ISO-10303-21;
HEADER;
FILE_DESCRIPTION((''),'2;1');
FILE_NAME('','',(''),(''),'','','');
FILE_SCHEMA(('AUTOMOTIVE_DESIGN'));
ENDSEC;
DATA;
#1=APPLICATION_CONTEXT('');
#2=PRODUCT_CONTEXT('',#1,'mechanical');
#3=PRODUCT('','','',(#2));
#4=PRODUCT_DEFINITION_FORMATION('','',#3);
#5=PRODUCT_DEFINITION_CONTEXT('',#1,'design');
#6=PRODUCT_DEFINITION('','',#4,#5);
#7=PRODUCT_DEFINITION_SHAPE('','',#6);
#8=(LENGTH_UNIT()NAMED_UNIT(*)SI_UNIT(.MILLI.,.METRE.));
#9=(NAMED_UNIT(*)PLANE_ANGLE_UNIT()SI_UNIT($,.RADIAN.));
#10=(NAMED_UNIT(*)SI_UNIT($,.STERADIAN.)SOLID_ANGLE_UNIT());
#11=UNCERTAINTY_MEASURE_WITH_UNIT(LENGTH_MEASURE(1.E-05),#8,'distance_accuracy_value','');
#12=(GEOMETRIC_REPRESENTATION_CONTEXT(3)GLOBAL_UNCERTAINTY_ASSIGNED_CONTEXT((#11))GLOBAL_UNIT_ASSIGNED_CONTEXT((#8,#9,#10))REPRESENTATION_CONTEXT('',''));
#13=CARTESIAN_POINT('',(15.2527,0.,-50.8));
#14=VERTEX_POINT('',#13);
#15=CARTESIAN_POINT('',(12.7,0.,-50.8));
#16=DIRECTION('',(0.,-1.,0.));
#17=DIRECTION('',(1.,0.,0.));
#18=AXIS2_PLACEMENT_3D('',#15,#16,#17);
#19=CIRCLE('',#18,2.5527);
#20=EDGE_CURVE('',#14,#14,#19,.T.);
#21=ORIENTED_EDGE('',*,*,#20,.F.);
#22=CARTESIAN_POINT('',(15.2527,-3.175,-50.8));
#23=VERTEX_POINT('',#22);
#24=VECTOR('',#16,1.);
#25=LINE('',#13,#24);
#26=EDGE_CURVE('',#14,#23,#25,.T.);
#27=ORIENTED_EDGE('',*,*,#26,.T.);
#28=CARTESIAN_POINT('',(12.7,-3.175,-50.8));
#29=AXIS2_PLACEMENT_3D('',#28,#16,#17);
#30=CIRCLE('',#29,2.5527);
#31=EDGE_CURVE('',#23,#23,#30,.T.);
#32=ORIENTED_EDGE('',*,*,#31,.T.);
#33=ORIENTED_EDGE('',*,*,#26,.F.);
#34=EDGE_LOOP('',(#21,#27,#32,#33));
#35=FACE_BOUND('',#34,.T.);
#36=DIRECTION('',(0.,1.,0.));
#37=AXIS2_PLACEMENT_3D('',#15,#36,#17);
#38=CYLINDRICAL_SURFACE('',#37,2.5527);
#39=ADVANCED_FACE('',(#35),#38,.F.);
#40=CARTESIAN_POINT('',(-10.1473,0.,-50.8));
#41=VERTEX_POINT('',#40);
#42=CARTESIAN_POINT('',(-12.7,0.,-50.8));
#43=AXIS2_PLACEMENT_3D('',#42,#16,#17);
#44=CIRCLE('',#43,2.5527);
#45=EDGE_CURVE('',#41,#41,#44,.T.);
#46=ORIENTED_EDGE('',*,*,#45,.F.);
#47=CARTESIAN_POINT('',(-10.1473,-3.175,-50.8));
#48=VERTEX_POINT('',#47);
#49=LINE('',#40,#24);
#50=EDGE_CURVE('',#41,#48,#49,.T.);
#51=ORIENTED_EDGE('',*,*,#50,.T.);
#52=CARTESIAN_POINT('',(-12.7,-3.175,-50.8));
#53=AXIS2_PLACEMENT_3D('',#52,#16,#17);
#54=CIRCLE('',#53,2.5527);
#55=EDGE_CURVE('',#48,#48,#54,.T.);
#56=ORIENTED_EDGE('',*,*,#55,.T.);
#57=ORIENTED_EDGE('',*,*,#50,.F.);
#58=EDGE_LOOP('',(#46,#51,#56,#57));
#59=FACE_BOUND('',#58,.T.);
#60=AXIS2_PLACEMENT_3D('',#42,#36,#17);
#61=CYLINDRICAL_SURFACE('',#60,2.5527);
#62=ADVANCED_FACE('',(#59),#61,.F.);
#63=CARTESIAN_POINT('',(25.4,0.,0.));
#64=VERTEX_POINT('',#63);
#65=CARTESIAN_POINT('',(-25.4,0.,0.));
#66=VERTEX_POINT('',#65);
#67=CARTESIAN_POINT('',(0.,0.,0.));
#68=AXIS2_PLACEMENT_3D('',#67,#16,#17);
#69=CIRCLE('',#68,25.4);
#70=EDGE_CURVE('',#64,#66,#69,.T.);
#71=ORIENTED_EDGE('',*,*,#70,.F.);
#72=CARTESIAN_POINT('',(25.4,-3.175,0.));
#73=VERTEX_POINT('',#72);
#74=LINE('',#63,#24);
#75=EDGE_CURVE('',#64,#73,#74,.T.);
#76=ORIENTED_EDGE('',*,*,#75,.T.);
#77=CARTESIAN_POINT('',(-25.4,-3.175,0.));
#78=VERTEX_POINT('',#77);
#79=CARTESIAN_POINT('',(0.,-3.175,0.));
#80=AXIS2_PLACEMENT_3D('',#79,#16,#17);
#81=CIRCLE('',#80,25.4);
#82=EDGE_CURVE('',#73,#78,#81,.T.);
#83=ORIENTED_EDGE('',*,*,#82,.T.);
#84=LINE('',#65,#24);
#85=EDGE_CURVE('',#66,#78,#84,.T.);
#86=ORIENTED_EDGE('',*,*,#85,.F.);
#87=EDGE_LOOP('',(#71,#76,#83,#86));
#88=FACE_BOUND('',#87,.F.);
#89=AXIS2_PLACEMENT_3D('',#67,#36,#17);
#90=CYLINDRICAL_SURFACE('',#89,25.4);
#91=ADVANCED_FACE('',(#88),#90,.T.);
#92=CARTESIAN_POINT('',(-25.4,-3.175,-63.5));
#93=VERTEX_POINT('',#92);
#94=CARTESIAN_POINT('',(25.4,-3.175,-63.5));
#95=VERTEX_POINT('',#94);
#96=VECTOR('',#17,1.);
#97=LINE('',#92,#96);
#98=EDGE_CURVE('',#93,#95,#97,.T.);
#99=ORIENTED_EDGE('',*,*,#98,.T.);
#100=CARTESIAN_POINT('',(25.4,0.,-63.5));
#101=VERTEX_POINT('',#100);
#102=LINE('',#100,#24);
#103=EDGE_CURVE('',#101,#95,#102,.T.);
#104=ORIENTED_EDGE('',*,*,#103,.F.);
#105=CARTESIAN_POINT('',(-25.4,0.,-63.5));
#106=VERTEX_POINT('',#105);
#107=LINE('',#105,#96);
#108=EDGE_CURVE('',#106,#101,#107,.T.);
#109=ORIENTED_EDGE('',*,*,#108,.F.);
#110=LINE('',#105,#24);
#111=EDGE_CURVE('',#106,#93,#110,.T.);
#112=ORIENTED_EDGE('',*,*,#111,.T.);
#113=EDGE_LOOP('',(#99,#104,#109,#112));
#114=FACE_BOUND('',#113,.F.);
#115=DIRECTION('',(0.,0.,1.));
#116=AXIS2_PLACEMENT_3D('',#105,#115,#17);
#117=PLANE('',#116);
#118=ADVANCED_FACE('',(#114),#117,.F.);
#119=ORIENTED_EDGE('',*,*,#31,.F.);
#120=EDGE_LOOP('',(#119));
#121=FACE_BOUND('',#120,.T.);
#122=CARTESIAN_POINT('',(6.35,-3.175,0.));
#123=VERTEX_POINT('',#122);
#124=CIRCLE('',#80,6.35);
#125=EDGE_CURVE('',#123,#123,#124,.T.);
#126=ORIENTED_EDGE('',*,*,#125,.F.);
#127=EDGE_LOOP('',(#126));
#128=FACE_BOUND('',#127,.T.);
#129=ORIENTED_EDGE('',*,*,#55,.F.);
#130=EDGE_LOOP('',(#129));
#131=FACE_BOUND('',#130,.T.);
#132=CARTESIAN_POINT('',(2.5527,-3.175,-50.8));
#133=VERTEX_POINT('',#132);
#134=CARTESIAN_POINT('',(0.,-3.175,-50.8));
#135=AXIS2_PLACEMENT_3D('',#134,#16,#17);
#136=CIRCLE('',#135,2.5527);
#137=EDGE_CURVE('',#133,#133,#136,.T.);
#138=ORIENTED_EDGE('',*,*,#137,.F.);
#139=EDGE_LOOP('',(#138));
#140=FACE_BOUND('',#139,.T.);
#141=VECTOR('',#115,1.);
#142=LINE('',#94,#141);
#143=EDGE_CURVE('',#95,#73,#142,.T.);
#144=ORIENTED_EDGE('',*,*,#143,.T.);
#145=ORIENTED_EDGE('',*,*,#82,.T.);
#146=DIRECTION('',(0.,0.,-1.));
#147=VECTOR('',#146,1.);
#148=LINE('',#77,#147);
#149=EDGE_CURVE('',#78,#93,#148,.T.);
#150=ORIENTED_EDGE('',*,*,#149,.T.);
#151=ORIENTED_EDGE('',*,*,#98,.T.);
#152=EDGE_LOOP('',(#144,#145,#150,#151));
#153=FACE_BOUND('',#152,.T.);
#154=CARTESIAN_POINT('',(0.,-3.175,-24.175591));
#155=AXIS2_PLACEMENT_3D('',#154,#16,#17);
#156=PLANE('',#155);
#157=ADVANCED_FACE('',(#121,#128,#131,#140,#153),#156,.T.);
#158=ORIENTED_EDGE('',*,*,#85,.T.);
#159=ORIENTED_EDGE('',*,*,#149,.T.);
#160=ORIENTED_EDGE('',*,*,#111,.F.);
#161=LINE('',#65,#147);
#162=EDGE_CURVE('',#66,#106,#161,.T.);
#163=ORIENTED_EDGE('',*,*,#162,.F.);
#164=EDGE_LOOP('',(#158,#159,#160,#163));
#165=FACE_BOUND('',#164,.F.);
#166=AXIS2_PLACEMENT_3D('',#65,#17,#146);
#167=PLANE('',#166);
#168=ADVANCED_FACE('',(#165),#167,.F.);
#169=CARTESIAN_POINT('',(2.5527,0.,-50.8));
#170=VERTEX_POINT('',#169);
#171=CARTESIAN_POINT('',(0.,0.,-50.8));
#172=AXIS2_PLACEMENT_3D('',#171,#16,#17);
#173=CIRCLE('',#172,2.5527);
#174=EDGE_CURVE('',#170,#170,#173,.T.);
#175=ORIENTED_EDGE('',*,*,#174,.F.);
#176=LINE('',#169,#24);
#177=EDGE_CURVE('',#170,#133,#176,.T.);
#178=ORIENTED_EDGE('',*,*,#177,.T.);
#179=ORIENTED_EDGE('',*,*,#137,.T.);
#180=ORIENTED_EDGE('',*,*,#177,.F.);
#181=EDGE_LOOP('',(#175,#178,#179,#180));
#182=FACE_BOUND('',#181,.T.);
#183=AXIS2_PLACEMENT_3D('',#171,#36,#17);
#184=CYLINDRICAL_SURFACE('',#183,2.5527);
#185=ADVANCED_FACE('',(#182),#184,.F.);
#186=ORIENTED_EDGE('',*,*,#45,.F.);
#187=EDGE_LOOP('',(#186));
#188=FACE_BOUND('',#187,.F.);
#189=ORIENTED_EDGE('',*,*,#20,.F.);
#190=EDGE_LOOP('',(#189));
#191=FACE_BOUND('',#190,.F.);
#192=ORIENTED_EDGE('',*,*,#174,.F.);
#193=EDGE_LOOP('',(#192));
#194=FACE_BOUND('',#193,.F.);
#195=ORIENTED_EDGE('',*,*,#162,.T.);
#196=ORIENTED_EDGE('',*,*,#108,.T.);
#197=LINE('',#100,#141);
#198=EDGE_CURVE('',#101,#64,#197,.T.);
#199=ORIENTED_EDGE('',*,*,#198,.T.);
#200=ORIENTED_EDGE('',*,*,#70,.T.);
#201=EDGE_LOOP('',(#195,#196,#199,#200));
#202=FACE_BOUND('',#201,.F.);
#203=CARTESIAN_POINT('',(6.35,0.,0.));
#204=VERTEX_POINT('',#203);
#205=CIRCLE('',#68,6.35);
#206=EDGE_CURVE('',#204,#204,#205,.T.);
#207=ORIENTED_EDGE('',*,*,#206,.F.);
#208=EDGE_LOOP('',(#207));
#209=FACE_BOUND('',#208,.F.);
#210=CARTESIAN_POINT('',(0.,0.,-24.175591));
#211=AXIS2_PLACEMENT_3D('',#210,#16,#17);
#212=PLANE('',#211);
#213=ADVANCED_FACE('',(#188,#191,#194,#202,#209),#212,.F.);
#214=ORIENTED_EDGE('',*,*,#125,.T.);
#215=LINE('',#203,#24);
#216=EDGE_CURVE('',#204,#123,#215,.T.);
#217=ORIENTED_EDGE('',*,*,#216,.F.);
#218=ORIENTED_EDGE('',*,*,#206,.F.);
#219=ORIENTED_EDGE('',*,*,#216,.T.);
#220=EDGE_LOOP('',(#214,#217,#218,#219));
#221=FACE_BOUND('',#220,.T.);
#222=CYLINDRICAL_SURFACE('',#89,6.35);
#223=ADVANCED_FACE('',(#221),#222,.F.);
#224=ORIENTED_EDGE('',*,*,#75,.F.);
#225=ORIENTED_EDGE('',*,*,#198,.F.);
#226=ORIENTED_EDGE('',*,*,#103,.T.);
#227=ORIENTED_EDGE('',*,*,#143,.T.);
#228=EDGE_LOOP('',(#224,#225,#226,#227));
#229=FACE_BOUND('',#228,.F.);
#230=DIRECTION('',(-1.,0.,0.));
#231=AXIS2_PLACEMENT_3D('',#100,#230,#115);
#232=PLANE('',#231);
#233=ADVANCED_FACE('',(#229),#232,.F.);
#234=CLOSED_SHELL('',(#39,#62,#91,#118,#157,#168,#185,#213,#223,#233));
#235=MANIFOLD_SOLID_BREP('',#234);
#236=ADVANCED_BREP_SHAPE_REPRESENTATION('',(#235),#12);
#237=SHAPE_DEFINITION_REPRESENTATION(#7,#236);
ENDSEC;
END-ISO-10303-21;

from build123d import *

# Parameters (mm, degrees)
F0_R     = 2.5527
F0_R_2   = 6.35
F1_DEPTH = 3.175


with BuildPart() as f1:
    # F0 (on Front) → F1 (new body)
    with BuildSketch(Plane.XZ):
        with BuildLine():
            Line((25.4, -63.5), (25.4, 0))
            ThreePointArc((25.4, 0), (0, 25.4), (-25.4, 0))
            Line((-25.4, 0), (-25.4, -63.5))
            Line((-25.4, -63.5), (25.4, -63.5))
        make_face()
        with Locations((-12.7, -50.8)):
            Circle(F0_R, mode=Mode.SUBTRACT)
        with Locations((0, -50.8)):
            Circle(F0_R, mode=Mode.SUBTRACT)
        with Locations((12.7, -50.8)):
            Circle(F0_R, mode=Mode.SUBTRACT)
        Circle(F0_R_2, mode=Mode.SUBTRACT)
    extrude(amount=F1_DEPTH)


solid = f1.part
